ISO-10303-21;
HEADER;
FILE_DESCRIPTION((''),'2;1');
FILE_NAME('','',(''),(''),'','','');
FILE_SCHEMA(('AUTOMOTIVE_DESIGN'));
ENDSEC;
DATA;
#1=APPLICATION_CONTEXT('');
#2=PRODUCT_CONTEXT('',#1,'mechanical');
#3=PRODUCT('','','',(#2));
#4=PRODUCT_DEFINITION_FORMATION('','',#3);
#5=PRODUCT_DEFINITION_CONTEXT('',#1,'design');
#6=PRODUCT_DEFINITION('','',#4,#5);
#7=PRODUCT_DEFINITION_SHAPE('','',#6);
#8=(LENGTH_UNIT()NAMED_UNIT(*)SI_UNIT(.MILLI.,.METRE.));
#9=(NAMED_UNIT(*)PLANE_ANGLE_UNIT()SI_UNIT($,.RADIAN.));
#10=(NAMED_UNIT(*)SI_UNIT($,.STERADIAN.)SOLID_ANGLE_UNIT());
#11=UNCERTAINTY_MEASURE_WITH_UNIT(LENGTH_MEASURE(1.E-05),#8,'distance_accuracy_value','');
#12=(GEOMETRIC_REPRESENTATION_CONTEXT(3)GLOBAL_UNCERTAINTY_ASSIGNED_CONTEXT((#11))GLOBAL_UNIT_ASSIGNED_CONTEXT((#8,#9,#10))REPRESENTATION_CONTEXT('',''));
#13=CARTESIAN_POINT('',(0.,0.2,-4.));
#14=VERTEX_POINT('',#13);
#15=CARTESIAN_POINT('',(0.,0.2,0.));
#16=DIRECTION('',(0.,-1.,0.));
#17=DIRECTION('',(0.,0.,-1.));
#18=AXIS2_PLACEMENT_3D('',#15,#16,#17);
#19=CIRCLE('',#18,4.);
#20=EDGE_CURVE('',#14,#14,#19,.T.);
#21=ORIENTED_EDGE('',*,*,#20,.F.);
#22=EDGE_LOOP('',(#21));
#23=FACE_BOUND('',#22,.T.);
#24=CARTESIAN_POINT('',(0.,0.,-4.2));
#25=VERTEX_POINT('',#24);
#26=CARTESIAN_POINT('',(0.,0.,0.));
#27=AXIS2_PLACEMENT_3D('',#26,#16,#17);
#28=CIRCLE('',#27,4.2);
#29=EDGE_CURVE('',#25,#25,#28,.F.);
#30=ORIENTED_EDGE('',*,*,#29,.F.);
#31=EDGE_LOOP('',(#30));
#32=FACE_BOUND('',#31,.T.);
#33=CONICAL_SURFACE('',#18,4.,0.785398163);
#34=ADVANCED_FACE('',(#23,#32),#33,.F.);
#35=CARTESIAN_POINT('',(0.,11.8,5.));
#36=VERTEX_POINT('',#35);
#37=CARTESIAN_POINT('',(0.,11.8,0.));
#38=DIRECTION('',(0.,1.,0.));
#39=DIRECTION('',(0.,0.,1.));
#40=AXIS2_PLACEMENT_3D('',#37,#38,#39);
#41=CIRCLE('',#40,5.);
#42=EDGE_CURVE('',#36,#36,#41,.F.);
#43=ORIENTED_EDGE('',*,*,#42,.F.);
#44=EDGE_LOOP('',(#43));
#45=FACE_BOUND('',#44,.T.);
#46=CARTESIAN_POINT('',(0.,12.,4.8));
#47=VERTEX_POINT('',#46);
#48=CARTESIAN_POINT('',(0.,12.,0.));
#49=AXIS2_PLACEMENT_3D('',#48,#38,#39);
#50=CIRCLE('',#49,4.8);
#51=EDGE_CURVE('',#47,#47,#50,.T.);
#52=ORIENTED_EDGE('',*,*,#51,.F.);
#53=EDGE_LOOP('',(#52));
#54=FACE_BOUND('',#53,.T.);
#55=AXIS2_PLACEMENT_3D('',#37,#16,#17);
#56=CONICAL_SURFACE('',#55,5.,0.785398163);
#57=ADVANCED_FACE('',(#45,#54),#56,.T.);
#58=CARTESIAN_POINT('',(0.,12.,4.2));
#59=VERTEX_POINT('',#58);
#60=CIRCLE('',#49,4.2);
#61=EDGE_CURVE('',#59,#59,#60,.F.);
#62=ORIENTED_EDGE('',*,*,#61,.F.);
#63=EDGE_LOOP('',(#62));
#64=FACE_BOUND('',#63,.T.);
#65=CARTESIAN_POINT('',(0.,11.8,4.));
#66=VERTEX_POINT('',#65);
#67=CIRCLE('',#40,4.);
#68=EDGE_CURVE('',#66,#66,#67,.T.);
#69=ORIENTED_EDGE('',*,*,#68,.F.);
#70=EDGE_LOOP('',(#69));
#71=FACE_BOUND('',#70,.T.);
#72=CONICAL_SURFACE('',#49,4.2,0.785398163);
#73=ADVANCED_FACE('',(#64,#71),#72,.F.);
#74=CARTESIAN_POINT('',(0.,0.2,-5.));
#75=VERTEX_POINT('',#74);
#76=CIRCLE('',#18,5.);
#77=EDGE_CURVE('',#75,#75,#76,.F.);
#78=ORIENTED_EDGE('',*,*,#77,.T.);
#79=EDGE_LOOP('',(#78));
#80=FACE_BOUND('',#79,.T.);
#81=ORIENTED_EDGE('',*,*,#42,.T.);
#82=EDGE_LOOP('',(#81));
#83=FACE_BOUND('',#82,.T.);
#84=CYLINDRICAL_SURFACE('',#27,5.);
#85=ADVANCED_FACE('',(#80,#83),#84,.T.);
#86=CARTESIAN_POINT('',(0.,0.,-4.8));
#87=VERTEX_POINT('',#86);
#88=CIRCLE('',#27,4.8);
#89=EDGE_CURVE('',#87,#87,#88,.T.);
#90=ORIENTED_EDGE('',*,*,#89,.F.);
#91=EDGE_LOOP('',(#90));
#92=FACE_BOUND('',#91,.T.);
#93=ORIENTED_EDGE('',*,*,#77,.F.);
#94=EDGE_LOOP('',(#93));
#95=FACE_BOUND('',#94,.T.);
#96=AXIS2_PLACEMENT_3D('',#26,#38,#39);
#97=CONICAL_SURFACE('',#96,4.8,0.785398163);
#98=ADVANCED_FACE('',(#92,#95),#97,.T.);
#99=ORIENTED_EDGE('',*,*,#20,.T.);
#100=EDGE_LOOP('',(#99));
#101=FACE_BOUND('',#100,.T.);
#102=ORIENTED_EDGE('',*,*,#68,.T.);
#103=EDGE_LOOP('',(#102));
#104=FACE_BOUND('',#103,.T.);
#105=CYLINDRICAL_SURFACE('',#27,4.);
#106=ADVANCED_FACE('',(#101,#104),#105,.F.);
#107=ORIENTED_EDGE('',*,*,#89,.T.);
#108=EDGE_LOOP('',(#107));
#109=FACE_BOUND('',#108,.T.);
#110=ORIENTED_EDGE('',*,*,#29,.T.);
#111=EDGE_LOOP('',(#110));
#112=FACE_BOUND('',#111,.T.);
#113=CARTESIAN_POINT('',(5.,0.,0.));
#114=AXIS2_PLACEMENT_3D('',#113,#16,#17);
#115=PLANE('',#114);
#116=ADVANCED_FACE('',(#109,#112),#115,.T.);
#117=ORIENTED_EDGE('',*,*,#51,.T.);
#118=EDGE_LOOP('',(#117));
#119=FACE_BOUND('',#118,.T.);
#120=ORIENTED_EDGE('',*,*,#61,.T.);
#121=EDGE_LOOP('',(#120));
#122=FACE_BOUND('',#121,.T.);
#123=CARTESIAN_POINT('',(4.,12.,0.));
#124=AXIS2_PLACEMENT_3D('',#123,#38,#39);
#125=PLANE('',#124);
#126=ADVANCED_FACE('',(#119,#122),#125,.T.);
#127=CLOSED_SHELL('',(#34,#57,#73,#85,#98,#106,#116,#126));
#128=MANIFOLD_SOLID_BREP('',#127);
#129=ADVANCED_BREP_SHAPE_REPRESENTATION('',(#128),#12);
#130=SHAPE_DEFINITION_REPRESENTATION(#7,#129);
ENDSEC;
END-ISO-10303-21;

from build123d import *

# Parameters (mm, degrees)
ESQUISSE1_W     = 1
ESQUISSE1_H     = 12
CHANFREIN1_SIZE = 0.2


with BuildPart() as part:
    # Esquisse1 → Base-Révolution (revolve)
    with BuildSketch(Plane.XY, mode=Mode.PRIVATE) as base_r_volution_sk:
        with Locations((4.5, 6)):
            Rectangle(ESQUISSE1_W, ESQUISSE1_H)
    revolve(base_r_volution_sk.sketch.rotate(Axis((0, 0, 0), (0, 1, 0)), 90), axis=Axis((0, 0, 0), (0, 1, 0)))

    # Chanfrein1
    chanfrein1_edges = [part.edges().sort_by_distance(p)[0] for p in [
        (0, 12, 4),
        (0, 12, 5),
        (0, 0, 5),
        (0, 0, 4),
    ]]
    chamfer(chanfrein1_edges, length=CHANFREIN1_SIZE)


solid = part.part
